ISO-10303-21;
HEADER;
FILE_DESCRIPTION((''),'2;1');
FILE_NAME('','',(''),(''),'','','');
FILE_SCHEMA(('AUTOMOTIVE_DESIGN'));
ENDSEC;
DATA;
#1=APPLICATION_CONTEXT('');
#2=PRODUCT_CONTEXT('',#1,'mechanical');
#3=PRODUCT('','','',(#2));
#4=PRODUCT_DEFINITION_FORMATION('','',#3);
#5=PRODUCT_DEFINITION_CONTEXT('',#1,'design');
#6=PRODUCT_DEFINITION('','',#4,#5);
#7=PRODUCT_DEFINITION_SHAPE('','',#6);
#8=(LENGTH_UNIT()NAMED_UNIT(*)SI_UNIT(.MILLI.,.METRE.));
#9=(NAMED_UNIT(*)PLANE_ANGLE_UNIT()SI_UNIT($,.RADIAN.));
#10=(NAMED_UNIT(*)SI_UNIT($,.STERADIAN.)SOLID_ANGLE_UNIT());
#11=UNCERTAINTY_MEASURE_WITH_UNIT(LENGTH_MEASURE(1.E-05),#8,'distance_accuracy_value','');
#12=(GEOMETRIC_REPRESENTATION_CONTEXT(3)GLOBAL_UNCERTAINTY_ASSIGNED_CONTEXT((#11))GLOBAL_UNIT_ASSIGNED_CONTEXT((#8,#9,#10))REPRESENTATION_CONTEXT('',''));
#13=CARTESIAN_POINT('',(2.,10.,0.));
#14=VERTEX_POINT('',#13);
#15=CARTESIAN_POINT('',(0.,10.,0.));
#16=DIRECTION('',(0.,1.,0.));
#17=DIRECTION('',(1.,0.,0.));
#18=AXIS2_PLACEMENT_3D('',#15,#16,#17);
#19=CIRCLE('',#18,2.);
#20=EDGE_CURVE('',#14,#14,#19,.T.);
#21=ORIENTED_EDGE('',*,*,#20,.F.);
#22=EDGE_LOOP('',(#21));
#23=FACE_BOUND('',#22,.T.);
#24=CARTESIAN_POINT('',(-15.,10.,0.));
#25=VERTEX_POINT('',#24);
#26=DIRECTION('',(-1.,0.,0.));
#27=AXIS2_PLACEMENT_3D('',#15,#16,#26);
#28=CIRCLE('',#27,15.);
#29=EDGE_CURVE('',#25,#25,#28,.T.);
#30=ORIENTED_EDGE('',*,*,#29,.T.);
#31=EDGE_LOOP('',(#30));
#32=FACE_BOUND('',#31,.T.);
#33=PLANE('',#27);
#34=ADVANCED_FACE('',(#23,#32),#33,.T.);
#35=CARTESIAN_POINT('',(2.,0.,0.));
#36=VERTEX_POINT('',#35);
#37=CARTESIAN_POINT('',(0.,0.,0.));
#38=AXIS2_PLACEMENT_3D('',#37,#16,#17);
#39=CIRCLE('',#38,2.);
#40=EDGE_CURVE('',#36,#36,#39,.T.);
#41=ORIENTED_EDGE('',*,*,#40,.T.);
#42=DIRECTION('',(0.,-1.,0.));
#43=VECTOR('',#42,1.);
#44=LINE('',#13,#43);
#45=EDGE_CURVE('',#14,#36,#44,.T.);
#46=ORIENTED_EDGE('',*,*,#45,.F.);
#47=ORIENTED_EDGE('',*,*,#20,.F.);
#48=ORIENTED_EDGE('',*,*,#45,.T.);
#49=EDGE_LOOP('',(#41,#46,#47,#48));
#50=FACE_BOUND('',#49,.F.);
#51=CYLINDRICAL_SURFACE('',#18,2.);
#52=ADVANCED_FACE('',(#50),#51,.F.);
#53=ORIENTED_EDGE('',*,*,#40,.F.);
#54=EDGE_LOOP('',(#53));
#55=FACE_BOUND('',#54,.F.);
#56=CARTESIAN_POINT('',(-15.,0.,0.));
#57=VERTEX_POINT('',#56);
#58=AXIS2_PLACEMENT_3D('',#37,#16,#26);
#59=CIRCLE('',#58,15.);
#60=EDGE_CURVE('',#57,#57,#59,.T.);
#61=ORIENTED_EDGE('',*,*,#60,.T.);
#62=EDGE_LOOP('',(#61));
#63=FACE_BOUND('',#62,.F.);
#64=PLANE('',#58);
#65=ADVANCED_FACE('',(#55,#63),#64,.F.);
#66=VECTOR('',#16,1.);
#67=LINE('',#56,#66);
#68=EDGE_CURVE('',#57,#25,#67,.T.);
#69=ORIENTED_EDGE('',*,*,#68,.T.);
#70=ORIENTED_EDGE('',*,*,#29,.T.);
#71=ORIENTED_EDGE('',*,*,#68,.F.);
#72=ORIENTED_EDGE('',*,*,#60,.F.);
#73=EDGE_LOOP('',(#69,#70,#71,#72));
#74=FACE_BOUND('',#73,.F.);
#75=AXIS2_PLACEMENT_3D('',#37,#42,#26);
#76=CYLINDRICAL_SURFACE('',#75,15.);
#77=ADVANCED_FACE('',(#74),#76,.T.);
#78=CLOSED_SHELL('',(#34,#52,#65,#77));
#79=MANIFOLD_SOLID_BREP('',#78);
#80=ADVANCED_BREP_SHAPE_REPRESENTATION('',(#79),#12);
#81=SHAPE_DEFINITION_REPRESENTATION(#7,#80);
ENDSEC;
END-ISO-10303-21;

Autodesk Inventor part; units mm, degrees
ref_plane "YZ Plane" through (0, 0, 0) normal (1, 0, 0) x (0, 1, 0)
ref_plane "XZ Plane" through (0, 0, 0) normal (0, 1, 0) x (-1, 0, 0)
ref_plane "XY Plane" through (0, 0, 0) normal (0, 0, 1) x (1, 0, 0)
sketch "草图1" plane through (0, 0, 0) normal (0, 1, 0) x (-1, 0, 0)
  circle A0 centre (0, 0) radius 15
  dimension "前轮直径" = 30
extrude "拉伸1" add sketch "草图1" along normal blind 10
sketch "草图2" plane through (0, 10, 0) normal (0, 1, 0) x (1, 0, 0)
  circle A0 centre (0, 0) radius 2
  dimension "孔径" = 4
extrude "拉伸2" cut sketch "草图2" against normal through all
properties part number "前轮" material "PVC 管"
